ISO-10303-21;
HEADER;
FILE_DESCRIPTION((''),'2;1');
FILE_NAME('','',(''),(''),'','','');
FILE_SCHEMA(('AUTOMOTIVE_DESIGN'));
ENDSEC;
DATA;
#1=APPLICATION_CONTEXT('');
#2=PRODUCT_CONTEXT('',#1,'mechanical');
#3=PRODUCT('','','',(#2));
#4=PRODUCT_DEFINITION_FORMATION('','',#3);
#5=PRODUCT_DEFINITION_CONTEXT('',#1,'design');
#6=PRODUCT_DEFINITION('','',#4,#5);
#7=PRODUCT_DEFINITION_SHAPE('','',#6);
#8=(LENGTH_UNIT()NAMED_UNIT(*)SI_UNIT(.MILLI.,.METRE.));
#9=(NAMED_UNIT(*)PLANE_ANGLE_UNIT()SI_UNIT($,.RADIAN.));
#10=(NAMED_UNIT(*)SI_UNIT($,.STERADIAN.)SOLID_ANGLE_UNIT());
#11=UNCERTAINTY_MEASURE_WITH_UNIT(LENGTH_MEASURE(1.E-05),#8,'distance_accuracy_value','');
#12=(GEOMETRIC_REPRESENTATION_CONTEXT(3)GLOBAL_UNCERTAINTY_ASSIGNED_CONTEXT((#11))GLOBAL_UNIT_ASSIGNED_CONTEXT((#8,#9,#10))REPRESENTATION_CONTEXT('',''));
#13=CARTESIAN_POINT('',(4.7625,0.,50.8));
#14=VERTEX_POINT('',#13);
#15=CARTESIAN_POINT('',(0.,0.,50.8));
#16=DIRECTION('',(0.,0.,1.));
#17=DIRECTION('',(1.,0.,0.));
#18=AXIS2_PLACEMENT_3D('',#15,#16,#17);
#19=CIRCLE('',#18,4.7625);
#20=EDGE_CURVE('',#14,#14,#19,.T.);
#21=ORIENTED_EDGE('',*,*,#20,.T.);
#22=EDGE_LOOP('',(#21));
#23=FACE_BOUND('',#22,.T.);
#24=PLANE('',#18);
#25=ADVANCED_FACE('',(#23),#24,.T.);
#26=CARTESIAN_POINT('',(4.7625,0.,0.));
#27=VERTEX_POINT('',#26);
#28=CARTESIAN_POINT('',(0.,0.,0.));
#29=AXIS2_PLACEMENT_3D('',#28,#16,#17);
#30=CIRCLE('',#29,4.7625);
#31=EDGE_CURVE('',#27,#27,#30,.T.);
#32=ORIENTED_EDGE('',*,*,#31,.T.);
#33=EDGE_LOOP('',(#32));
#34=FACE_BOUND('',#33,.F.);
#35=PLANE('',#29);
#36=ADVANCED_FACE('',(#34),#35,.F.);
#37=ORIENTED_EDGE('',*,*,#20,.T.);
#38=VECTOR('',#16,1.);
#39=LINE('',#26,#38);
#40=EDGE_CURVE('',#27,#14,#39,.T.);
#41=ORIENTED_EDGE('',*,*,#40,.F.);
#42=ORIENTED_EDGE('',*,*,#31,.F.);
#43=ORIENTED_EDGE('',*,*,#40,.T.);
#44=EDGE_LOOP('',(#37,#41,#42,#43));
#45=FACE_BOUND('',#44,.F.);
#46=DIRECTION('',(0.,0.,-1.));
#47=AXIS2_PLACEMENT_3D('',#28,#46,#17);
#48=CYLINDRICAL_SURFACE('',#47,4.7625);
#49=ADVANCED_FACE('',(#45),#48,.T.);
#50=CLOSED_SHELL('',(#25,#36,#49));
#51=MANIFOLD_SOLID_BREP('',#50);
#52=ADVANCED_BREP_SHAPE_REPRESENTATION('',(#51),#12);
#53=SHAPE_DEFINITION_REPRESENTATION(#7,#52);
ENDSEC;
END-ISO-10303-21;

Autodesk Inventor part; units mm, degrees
ref_plane "YZ Plane" through (0, 0, 0) normal (1, 0, 0) x (0, 1, 0)
ref_plane "XZ Plane" through (0, 0, 0) normal (0, 1, 0) x (-1, 0, 0)
ref_plane "XY Plane" through (0, 0, 0) normal (0, 0, 1) x (1, 0, 0)
sketch "Sketch1" plane through (0, 0, 0) normal (0, 0, 1) x (1, 0, 0)
  circle A0 centre (0, 0) radius 4.7625
  dimension "d0" = 9.525
extrude "Extrusion1" add sketch "Sketch1" along normal blind 50.8
properties part number "M - 0.375 Shaft Carriage" material "Steel, Carbon"
